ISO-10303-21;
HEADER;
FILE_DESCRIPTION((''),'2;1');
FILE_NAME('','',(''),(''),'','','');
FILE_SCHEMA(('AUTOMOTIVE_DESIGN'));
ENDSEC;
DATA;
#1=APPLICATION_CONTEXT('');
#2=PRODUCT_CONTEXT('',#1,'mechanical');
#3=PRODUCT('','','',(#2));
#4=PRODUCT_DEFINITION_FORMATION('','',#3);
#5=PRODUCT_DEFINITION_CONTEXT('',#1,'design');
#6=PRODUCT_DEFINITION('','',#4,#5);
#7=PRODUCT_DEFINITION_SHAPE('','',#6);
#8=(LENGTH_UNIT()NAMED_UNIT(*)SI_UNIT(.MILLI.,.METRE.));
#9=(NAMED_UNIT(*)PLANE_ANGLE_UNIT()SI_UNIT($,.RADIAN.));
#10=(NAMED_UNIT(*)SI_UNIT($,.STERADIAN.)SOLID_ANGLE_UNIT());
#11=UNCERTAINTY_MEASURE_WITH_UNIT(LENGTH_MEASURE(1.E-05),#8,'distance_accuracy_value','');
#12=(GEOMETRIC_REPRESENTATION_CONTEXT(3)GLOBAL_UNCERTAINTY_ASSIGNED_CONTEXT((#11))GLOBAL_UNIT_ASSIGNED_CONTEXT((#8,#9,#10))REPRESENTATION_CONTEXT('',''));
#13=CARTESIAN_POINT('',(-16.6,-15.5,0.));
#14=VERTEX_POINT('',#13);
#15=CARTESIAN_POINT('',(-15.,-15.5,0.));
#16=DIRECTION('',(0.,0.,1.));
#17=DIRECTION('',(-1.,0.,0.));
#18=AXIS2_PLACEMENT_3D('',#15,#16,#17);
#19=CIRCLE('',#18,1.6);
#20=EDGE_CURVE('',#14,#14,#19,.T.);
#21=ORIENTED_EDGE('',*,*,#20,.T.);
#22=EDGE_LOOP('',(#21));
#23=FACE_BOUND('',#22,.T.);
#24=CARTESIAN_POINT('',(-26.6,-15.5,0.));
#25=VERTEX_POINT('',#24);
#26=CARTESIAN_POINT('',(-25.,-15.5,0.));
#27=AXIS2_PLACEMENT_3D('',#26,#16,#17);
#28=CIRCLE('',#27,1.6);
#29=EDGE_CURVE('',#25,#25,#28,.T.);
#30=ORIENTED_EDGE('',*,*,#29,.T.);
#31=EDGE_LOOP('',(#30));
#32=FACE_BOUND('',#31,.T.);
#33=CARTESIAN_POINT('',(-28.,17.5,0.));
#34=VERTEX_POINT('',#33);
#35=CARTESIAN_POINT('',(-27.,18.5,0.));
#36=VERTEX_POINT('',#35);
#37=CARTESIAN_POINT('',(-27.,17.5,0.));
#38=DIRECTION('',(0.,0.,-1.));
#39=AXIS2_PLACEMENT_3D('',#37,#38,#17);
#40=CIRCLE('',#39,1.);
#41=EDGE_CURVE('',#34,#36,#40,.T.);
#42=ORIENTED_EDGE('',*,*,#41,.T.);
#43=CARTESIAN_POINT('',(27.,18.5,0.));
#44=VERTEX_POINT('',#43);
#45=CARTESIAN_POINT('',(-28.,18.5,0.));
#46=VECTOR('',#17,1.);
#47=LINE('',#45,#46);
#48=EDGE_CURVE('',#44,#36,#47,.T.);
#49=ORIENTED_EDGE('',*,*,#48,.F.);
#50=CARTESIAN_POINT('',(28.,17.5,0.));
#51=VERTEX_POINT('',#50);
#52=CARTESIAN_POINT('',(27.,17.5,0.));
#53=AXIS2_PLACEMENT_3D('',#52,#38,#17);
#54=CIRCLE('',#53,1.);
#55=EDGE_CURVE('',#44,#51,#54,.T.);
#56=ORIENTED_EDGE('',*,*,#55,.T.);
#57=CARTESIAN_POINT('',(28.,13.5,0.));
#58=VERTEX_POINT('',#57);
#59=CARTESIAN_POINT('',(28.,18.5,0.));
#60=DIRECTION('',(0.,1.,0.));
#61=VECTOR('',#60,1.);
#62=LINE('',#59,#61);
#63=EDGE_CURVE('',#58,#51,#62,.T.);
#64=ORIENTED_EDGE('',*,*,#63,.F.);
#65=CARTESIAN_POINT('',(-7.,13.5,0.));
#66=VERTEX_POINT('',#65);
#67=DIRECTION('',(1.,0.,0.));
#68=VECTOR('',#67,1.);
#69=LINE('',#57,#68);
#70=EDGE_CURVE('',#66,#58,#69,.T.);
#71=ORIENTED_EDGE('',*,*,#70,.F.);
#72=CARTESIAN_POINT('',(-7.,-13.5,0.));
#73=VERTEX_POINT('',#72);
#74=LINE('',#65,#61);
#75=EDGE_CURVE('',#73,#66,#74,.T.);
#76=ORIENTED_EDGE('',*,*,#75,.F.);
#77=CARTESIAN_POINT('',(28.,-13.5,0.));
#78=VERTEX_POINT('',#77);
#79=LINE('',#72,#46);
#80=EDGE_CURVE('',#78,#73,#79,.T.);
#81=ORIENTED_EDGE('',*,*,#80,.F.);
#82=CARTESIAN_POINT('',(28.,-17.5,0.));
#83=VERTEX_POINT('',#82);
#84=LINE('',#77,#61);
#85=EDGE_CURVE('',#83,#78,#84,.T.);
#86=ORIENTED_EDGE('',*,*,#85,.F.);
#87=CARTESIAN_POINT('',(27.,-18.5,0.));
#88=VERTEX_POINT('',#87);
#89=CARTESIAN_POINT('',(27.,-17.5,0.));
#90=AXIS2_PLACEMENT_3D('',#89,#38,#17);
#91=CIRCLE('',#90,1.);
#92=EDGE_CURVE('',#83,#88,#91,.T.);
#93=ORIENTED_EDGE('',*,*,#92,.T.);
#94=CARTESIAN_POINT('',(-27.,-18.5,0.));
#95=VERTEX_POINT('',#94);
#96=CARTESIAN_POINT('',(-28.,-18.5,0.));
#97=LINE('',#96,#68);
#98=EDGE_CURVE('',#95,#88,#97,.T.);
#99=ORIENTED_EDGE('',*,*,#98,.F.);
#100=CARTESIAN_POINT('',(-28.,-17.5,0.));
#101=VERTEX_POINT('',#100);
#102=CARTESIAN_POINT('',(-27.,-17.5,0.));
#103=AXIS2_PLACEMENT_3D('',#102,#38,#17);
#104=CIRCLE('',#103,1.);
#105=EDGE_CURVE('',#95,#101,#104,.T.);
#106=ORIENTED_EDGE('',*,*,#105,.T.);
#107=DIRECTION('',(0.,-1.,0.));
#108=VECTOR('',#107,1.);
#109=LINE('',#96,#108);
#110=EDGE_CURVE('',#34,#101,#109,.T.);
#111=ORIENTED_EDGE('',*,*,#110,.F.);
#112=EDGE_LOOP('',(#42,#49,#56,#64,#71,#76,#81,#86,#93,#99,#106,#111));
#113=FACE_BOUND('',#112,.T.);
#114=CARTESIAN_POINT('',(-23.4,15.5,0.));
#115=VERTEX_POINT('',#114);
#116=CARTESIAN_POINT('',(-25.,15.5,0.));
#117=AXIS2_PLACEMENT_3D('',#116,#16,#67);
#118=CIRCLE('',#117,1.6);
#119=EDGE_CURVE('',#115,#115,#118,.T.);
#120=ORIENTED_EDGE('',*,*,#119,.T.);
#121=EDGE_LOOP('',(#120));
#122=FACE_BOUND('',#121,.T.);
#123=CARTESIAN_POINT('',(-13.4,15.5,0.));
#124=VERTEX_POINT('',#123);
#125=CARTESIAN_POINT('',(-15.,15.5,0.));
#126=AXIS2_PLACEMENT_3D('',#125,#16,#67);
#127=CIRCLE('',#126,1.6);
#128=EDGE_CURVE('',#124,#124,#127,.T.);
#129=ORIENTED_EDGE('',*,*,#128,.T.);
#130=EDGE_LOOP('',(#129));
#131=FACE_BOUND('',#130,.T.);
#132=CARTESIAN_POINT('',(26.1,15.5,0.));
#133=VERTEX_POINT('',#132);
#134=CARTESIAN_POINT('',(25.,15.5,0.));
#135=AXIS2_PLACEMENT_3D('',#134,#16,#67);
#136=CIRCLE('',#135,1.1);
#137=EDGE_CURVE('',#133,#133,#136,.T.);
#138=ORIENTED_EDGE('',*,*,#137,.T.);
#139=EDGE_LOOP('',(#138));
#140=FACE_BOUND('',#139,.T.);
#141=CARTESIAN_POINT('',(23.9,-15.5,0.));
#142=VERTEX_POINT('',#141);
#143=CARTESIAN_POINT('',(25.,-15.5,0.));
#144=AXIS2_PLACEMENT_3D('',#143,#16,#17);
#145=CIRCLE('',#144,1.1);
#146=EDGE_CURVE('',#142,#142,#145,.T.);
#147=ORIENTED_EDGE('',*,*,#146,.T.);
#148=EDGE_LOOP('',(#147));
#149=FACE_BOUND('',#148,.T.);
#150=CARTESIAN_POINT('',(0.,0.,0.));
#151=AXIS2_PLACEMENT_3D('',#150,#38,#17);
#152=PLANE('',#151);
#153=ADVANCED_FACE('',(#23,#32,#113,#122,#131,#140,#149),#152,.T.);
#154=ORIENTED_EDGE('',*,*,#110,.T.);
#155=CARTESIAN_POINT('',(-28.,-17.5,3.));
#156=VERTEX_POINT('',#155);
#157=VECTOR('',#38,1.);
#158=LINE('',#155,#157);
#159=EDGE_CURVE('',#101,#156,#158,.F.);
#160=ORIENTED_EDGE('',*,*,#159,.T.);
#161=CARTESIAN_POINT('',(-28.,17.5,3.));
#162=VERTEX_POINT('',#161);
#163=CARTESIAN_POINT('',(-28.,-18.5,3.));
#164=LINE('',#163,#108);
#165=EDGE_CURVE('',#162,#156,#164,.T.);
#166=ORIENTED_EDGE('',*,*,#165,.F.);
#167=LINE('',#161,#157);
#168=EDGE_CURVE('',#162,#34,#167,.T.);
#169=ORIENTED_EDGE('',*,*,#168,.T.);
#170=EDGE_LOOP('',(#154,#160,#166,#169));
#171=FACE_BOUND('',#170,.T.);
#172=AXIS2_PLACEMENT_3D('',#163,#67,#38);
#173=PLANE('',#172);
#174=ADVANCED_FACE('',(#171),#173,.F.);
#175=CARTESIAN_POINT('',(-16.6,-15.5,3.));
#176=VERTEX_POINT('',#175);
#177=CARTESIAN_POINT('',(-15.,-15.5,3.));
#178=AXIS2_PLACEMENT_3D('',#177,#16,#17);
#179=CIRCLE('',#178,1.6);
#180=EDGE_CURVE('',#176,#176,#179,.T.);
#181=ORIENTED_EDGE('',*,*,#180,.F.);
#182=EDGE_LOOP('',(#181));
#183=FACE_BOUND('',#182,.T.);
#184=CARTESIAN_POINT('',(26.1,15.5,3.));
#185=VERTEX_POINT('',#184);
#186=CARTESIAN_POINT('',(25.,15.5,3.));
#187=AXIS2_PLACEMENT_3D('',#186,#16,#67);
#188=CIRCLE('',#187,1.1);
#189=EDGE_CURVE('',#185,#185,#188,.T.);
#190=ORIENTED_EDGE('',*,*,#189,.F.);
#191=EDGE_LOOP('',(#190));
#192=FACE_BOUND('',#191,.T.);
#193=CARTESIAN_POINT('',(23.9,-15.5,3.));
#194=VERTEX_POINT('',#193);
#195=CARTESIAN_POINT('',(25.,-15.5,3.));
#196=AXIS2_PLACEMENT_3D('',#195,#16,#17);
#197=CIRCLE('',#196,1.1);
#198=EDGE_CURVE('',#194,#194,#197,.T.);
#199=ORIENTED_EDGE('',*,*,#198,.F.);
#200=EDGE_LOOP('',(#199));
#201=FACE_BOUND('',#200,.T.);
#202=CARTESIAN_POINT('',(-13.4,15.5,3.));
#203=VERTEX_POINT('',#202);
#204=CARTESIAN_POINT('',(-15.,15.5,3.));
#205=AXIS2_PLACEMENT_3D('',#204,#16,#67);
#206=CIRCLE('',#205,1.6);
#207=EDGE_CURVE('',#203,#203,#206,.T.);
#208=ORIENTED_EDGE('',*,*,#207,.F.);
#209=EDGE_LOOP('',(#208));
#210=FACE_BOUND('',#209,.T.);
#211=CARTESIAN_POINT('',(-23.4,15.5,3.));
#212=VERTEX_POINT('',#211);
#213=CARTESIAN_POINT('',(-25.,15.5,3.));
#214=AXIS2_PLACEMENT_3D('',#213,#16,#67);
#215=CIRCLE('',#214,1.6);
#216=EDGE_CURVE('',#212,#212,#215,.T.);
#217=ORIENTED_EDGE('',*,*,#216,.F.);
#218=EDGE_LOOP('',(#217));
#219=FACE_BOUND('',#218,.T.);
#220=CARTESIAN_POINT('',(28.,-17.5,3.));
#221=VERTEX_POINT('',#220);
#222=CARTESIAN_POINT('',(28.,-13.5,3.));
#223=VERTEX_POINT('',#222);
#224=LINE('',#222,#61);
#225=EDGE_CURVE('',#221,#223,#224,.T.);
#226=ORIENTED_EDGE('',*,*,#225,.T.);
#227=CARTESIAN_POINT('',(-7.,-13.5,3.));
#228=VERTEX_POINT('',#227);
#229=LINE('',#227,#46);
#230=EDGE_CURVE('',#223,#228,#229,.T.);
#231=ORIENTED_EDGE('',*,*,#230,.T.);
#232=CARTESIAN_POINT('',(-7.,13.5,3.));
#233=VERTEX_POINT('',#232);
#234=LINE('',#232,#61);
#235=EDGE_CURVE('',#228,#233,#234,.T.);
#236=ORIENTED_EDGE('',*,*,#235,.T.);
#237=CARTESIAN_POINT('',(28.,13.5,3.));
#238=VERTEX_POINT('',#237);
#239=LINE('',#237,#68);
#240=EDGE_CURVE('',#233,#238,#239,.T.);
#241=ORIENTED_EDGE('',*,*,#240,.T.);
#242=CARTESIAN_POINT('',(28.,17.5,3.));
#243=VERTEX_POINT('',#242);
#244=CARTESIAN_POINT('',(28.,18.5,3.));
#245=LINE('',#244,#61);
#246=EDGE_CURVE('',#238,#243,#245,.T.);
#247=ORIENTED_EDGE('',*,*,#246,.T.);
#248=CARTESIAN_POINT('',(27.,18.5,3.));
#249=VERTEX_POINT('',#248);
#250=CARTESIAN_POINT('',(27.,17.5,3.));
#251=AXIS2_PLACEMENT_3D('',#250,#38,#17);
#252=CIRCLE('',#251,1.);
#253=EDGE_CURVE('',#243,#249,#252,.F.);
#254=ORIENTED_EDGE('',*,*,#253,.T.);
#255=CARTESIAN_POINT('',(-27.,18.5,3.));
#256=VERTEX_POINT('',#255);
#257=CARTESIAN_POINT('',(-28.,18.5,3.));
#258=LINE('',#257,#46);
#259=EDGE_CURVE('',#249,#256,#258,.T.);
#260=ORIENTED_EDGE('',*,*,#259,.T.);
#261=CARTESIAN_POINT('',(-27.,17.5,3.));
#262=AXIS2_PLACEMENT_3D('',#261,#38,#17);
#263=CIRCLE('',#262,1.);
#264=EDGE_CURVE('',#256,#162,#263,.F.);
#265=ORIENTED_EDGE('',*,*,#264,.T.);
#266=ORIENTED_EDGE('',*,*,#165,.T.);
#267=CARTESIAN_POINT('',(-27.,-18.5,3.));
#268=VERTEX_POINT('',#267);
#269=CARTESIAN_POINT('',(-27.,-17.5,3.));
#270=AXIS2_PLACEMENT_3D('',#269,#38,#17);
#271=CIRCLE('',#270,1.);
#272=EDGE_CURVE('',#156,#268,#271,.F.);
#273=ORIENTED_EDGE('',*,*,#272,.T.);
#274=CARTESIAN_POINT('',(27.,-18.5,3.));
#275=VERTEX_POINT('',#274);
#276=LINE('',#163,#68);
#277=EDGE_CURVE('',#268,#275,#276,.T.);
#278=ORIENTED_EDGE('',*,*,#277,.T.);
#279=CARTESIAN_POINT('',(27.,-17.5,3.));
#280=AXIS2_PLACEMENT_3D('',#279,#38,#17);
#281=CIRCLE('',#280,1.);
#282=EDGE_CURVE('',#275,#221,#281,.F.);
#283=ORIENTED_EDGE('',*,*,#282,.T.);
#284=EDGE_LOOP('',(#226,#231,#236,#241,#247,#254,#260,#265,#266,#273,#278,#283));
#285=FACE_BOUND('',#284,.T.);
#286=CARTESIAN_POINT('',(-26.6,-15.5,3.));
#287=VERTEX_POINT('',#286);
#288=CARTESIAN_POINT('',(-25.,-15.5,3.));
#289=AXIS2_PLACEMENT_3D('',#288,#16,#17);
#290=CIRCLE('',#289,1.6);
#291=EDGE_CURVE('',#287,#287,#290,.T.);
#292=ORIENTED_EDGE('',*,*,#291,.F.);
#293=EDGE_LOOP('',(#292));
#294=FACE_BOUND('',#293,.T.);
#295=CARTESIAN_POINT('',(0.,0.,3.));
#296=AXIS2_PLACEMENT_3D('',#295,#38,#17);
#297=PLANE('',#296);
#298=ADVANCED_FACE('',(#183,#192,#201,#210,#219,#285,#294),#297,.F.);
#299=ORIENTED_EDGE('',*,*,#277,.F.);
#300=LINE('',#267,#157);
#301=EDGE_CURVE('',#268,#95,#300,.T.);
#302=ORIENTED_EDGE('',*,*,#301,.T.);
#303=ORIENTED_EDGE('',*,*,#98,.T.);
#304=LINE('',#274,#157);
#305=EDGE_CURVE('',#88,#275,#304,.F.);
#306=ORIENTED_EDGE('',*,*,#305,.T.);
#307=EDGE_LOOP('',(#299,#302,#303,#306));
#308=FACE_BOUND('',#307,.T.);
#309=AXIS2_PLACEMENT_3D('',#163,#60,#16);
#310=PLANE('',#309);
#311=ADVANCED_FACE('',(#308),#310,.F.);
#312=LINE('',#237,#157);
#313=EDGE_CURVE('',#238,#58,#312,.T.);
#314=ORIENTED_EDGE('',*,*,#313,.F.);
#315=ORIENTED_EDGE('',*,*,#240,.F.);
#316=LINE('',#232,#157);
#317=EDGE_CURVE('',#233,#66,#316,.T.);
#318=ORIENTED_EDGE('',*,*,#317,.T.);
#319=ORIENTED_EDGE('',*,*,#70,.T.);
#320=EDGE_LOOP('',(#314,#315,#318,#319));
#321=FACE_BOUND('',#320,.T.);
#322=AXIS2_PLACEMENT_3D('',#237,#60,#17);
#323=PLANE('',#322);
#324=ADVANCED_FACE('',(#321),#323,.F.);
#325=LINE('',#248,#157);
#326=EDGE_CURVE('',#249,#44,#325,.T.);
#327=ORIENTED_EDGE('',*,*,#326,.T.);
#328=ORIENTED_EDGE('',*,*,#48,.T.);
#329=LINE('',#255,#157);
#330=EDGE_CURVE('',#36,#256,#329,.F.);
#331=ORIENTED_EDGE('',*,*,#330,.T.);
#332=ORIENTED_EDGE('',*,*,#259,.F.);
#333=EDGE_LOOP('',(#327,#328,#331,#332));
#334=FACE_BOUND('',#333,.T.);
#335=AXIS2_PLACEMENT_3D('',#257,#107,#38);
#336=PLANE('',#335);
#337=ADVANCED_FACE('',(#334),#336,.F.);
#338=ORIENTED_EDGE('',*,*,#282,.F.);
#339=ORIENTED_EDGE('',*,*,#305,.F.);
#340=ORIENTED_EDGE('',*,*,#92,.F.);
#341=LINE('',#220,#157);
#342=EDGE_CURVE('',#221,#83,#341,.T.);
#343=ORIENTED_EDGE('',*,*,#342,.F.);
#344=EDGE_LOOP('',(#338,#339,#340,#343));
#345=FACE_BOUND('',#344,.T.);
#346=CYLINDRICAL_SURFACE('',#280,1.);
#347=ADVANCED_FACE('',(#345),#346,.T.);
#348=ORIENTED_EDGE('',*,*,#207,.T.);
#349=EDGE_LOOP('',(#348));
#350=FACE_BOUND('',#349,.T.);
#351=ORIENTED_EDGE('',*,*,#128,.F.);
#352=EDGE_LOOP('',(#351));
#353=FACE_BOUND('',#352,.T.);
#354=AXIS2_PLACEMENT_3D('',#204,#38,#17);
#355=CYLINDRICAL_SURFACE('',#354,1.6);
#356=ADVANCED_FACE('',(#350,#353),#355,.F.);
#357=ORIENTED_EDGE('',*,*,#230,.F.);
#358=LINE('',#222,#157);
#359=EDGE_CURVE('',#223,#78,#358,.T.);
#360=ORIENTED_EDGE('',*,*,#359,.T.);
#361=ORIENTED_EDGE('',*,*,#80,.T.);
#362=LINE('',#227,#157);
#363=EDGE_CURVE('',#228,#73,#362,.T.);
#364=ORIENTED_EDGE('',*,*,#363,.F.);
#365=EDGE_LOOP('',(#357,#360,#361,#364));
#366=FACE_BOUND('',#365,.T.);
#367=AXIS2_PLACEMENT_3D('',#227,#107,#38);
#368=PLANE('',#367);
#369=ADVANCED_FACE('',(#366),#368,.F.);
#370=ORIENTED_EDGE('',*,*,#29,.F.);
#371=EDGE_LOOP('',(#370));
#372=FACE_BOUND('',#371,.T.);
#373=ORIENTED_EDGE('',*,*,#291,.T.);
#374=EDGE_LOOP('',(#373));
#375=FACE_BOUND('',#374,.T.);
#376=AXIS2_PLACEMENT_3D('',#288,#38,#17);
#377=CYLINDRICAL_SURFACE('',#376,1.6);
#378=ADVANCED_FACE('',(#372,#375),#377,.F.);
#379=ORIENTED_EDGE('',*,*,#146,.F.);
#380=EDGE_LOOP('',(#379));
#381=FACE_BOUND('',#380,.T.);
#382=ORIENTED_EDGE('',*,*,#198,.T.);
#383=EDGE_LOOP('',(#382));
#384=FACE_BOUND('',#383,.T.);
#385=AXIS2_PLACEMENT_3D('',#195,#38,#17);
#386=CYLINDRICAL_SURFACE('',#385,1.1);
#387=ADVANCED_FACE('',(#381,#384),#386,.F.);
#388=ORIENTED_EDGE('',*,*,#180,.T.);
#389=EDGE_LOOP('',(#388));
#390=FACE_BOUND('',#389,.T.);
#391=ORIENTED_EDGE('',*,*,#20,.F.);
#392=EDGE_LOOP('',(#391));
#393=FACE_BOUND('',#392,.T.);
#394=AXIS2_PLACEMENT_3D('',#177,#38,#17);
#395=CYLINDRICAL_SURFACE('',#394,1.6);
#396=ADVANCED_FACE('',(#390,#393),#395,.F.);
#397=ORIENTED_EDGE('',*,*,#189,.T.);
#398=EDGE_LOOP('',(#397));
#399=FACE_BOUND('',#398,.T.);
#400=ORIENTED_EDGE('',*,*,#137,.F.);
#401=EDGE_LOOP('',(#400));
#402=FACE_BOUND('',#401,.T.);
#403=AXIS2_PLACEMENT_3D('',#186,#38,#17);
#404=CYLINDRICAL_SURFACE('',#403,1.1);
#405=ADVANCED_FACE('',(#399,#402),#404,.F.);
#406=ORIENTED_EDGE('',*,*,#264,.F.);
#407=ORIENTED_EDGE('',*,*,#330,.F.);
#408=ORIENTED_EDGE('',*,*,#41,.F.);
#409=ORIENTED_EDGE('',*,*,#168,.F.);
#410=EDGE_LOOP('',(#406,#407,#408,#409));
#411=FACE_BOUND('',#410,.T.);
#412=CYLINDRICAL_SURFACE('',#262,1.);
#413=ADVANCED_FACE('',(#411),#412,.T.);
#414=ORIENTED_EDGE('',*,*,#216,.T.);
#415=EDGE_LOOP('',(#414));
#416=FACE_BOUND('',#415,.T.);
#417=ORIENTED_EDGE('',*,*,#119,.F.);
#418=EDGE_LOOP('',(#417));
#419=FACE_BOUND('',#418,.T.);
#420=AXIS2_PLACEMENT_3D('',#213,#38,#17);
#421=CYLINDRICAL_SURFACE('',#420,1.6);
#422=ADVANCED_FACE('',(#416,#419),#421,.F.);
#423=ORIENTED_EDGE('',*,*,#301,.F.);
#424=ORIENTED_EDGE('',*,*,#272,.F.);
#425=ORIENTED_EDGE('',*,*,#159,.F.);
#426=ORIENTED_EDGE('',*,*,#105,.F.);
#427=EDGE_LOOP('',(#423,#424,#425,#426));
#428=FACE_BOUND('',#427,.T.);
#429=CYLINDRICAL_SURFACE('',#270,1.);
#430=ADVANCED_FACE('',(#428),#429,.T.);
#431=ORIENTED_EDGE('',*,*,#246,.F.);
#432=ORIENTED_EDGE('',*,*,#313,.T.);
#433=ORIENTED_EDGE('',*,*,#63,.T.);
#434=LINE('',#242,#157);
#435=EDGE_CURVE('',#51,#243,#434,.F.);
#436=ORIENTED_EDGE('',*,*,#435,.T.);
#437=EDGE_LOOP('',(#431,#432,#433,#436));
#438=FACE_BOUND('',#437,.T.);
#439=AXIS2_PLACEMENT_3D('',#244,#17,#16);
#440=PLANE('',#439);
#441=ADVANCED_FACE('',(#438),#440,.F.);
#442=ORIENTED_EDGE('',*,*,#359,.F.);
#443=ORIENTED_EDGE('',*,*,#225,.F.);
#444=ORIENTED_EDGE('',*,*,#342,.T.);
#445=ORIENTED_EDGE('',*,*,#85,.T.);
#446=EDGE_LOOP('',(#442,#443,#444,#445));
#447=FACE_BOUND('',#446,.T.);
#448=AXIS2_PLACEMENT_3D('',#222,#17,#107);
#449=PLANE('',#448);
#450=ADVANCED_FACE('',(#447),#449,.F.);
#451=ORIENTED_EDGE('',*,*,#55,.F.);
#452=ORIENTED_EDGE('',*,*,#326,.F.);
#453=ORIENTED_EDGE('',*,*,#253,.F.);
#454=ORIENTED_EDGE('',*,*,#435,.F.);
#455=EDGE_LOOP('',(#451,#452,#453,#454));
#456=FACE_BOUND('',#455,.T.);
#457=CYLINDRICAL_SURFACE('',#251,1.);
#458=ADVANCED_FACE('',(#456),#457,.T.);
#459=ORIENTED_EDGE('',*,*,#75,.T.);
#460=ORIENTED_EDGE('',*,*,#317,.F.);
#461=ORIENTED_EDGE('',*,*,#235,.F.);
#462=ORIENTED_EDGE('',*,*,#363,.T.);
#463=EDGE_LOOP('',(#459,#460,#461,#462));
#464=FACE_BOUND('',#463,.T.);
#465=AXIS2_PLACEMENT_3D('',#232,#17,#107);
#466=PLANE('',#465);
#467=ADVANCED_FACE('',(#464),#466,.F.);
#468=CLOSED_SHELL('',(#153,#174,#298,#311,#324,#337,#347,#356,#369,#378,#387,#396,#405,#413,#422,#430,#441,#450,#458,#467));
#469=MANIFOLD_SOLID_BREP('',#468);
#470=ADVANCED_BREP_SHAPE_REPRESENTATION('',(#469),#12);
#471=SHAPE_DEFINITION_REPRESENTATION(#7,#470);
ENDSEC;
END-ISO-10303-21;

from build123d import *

# Parameters (mm, degrees)
SKETCH_2_R      = 1.1
SKETCH_2_R_2    = 1.6
EXTRUDE_1_DEPTH = 3
FILLET_1_R      = 1


with BuildPart() as part:
    # 草图2 → 凸台-拉伸1 (new body)
    with BuildSketch(Plane.XY):
        Polygon((28, 18.5), (28, 13.5), (-7, 13.5), (-7, -13.5), (28, -13.5), (28, -18.5), (-28, -18.5), (-28, 18.5), align=None)
        with Locations((25, 15.5)):
            Circle(SKETCH_2_R, mode=Mode.SUBTRACT)
        with Locations(Location((25, -15.5, 0), (0, 0, 180))):
            Circle(SKETCH_2_R, mode=Mode.SUBTRACT)
        with Locations((-25, 15.5)):
            Circle(SKETCH_2_R_2, mode=Mode.SUBTRACT)
        with Locations((-15, 15.5)):
            Circle(SKETCH_2_R_2, mode=Mode.SUBTRACT)
        with Locations(Location((-15, -15.5, 0), (0, 0, 180))):
            Circle(SKETCH_2_R_2, mode=Mode.SUBTRACT)
        with Locations(Location((-25, -15.5, 0), (0, 0, 180))):
            Circle(SKETCH_2_R_2, mode=Mode.SUBTRACT)
    extrude(amount=EXTRUDE_1_DEPTH)

    # 圆角1
    fillet_1_edges = [part.edges().sort_by_distance(p)[0] for p in [
        (28, 18.5, 1.5),
        (28, -18.5, 1.5),
        (-28, -18.5, 1.5),
        (-28, 18.5, 1.5),
    ]]
    fillet(fillet_1_edges, radius=FILLET_1_R)


solid = part.part
